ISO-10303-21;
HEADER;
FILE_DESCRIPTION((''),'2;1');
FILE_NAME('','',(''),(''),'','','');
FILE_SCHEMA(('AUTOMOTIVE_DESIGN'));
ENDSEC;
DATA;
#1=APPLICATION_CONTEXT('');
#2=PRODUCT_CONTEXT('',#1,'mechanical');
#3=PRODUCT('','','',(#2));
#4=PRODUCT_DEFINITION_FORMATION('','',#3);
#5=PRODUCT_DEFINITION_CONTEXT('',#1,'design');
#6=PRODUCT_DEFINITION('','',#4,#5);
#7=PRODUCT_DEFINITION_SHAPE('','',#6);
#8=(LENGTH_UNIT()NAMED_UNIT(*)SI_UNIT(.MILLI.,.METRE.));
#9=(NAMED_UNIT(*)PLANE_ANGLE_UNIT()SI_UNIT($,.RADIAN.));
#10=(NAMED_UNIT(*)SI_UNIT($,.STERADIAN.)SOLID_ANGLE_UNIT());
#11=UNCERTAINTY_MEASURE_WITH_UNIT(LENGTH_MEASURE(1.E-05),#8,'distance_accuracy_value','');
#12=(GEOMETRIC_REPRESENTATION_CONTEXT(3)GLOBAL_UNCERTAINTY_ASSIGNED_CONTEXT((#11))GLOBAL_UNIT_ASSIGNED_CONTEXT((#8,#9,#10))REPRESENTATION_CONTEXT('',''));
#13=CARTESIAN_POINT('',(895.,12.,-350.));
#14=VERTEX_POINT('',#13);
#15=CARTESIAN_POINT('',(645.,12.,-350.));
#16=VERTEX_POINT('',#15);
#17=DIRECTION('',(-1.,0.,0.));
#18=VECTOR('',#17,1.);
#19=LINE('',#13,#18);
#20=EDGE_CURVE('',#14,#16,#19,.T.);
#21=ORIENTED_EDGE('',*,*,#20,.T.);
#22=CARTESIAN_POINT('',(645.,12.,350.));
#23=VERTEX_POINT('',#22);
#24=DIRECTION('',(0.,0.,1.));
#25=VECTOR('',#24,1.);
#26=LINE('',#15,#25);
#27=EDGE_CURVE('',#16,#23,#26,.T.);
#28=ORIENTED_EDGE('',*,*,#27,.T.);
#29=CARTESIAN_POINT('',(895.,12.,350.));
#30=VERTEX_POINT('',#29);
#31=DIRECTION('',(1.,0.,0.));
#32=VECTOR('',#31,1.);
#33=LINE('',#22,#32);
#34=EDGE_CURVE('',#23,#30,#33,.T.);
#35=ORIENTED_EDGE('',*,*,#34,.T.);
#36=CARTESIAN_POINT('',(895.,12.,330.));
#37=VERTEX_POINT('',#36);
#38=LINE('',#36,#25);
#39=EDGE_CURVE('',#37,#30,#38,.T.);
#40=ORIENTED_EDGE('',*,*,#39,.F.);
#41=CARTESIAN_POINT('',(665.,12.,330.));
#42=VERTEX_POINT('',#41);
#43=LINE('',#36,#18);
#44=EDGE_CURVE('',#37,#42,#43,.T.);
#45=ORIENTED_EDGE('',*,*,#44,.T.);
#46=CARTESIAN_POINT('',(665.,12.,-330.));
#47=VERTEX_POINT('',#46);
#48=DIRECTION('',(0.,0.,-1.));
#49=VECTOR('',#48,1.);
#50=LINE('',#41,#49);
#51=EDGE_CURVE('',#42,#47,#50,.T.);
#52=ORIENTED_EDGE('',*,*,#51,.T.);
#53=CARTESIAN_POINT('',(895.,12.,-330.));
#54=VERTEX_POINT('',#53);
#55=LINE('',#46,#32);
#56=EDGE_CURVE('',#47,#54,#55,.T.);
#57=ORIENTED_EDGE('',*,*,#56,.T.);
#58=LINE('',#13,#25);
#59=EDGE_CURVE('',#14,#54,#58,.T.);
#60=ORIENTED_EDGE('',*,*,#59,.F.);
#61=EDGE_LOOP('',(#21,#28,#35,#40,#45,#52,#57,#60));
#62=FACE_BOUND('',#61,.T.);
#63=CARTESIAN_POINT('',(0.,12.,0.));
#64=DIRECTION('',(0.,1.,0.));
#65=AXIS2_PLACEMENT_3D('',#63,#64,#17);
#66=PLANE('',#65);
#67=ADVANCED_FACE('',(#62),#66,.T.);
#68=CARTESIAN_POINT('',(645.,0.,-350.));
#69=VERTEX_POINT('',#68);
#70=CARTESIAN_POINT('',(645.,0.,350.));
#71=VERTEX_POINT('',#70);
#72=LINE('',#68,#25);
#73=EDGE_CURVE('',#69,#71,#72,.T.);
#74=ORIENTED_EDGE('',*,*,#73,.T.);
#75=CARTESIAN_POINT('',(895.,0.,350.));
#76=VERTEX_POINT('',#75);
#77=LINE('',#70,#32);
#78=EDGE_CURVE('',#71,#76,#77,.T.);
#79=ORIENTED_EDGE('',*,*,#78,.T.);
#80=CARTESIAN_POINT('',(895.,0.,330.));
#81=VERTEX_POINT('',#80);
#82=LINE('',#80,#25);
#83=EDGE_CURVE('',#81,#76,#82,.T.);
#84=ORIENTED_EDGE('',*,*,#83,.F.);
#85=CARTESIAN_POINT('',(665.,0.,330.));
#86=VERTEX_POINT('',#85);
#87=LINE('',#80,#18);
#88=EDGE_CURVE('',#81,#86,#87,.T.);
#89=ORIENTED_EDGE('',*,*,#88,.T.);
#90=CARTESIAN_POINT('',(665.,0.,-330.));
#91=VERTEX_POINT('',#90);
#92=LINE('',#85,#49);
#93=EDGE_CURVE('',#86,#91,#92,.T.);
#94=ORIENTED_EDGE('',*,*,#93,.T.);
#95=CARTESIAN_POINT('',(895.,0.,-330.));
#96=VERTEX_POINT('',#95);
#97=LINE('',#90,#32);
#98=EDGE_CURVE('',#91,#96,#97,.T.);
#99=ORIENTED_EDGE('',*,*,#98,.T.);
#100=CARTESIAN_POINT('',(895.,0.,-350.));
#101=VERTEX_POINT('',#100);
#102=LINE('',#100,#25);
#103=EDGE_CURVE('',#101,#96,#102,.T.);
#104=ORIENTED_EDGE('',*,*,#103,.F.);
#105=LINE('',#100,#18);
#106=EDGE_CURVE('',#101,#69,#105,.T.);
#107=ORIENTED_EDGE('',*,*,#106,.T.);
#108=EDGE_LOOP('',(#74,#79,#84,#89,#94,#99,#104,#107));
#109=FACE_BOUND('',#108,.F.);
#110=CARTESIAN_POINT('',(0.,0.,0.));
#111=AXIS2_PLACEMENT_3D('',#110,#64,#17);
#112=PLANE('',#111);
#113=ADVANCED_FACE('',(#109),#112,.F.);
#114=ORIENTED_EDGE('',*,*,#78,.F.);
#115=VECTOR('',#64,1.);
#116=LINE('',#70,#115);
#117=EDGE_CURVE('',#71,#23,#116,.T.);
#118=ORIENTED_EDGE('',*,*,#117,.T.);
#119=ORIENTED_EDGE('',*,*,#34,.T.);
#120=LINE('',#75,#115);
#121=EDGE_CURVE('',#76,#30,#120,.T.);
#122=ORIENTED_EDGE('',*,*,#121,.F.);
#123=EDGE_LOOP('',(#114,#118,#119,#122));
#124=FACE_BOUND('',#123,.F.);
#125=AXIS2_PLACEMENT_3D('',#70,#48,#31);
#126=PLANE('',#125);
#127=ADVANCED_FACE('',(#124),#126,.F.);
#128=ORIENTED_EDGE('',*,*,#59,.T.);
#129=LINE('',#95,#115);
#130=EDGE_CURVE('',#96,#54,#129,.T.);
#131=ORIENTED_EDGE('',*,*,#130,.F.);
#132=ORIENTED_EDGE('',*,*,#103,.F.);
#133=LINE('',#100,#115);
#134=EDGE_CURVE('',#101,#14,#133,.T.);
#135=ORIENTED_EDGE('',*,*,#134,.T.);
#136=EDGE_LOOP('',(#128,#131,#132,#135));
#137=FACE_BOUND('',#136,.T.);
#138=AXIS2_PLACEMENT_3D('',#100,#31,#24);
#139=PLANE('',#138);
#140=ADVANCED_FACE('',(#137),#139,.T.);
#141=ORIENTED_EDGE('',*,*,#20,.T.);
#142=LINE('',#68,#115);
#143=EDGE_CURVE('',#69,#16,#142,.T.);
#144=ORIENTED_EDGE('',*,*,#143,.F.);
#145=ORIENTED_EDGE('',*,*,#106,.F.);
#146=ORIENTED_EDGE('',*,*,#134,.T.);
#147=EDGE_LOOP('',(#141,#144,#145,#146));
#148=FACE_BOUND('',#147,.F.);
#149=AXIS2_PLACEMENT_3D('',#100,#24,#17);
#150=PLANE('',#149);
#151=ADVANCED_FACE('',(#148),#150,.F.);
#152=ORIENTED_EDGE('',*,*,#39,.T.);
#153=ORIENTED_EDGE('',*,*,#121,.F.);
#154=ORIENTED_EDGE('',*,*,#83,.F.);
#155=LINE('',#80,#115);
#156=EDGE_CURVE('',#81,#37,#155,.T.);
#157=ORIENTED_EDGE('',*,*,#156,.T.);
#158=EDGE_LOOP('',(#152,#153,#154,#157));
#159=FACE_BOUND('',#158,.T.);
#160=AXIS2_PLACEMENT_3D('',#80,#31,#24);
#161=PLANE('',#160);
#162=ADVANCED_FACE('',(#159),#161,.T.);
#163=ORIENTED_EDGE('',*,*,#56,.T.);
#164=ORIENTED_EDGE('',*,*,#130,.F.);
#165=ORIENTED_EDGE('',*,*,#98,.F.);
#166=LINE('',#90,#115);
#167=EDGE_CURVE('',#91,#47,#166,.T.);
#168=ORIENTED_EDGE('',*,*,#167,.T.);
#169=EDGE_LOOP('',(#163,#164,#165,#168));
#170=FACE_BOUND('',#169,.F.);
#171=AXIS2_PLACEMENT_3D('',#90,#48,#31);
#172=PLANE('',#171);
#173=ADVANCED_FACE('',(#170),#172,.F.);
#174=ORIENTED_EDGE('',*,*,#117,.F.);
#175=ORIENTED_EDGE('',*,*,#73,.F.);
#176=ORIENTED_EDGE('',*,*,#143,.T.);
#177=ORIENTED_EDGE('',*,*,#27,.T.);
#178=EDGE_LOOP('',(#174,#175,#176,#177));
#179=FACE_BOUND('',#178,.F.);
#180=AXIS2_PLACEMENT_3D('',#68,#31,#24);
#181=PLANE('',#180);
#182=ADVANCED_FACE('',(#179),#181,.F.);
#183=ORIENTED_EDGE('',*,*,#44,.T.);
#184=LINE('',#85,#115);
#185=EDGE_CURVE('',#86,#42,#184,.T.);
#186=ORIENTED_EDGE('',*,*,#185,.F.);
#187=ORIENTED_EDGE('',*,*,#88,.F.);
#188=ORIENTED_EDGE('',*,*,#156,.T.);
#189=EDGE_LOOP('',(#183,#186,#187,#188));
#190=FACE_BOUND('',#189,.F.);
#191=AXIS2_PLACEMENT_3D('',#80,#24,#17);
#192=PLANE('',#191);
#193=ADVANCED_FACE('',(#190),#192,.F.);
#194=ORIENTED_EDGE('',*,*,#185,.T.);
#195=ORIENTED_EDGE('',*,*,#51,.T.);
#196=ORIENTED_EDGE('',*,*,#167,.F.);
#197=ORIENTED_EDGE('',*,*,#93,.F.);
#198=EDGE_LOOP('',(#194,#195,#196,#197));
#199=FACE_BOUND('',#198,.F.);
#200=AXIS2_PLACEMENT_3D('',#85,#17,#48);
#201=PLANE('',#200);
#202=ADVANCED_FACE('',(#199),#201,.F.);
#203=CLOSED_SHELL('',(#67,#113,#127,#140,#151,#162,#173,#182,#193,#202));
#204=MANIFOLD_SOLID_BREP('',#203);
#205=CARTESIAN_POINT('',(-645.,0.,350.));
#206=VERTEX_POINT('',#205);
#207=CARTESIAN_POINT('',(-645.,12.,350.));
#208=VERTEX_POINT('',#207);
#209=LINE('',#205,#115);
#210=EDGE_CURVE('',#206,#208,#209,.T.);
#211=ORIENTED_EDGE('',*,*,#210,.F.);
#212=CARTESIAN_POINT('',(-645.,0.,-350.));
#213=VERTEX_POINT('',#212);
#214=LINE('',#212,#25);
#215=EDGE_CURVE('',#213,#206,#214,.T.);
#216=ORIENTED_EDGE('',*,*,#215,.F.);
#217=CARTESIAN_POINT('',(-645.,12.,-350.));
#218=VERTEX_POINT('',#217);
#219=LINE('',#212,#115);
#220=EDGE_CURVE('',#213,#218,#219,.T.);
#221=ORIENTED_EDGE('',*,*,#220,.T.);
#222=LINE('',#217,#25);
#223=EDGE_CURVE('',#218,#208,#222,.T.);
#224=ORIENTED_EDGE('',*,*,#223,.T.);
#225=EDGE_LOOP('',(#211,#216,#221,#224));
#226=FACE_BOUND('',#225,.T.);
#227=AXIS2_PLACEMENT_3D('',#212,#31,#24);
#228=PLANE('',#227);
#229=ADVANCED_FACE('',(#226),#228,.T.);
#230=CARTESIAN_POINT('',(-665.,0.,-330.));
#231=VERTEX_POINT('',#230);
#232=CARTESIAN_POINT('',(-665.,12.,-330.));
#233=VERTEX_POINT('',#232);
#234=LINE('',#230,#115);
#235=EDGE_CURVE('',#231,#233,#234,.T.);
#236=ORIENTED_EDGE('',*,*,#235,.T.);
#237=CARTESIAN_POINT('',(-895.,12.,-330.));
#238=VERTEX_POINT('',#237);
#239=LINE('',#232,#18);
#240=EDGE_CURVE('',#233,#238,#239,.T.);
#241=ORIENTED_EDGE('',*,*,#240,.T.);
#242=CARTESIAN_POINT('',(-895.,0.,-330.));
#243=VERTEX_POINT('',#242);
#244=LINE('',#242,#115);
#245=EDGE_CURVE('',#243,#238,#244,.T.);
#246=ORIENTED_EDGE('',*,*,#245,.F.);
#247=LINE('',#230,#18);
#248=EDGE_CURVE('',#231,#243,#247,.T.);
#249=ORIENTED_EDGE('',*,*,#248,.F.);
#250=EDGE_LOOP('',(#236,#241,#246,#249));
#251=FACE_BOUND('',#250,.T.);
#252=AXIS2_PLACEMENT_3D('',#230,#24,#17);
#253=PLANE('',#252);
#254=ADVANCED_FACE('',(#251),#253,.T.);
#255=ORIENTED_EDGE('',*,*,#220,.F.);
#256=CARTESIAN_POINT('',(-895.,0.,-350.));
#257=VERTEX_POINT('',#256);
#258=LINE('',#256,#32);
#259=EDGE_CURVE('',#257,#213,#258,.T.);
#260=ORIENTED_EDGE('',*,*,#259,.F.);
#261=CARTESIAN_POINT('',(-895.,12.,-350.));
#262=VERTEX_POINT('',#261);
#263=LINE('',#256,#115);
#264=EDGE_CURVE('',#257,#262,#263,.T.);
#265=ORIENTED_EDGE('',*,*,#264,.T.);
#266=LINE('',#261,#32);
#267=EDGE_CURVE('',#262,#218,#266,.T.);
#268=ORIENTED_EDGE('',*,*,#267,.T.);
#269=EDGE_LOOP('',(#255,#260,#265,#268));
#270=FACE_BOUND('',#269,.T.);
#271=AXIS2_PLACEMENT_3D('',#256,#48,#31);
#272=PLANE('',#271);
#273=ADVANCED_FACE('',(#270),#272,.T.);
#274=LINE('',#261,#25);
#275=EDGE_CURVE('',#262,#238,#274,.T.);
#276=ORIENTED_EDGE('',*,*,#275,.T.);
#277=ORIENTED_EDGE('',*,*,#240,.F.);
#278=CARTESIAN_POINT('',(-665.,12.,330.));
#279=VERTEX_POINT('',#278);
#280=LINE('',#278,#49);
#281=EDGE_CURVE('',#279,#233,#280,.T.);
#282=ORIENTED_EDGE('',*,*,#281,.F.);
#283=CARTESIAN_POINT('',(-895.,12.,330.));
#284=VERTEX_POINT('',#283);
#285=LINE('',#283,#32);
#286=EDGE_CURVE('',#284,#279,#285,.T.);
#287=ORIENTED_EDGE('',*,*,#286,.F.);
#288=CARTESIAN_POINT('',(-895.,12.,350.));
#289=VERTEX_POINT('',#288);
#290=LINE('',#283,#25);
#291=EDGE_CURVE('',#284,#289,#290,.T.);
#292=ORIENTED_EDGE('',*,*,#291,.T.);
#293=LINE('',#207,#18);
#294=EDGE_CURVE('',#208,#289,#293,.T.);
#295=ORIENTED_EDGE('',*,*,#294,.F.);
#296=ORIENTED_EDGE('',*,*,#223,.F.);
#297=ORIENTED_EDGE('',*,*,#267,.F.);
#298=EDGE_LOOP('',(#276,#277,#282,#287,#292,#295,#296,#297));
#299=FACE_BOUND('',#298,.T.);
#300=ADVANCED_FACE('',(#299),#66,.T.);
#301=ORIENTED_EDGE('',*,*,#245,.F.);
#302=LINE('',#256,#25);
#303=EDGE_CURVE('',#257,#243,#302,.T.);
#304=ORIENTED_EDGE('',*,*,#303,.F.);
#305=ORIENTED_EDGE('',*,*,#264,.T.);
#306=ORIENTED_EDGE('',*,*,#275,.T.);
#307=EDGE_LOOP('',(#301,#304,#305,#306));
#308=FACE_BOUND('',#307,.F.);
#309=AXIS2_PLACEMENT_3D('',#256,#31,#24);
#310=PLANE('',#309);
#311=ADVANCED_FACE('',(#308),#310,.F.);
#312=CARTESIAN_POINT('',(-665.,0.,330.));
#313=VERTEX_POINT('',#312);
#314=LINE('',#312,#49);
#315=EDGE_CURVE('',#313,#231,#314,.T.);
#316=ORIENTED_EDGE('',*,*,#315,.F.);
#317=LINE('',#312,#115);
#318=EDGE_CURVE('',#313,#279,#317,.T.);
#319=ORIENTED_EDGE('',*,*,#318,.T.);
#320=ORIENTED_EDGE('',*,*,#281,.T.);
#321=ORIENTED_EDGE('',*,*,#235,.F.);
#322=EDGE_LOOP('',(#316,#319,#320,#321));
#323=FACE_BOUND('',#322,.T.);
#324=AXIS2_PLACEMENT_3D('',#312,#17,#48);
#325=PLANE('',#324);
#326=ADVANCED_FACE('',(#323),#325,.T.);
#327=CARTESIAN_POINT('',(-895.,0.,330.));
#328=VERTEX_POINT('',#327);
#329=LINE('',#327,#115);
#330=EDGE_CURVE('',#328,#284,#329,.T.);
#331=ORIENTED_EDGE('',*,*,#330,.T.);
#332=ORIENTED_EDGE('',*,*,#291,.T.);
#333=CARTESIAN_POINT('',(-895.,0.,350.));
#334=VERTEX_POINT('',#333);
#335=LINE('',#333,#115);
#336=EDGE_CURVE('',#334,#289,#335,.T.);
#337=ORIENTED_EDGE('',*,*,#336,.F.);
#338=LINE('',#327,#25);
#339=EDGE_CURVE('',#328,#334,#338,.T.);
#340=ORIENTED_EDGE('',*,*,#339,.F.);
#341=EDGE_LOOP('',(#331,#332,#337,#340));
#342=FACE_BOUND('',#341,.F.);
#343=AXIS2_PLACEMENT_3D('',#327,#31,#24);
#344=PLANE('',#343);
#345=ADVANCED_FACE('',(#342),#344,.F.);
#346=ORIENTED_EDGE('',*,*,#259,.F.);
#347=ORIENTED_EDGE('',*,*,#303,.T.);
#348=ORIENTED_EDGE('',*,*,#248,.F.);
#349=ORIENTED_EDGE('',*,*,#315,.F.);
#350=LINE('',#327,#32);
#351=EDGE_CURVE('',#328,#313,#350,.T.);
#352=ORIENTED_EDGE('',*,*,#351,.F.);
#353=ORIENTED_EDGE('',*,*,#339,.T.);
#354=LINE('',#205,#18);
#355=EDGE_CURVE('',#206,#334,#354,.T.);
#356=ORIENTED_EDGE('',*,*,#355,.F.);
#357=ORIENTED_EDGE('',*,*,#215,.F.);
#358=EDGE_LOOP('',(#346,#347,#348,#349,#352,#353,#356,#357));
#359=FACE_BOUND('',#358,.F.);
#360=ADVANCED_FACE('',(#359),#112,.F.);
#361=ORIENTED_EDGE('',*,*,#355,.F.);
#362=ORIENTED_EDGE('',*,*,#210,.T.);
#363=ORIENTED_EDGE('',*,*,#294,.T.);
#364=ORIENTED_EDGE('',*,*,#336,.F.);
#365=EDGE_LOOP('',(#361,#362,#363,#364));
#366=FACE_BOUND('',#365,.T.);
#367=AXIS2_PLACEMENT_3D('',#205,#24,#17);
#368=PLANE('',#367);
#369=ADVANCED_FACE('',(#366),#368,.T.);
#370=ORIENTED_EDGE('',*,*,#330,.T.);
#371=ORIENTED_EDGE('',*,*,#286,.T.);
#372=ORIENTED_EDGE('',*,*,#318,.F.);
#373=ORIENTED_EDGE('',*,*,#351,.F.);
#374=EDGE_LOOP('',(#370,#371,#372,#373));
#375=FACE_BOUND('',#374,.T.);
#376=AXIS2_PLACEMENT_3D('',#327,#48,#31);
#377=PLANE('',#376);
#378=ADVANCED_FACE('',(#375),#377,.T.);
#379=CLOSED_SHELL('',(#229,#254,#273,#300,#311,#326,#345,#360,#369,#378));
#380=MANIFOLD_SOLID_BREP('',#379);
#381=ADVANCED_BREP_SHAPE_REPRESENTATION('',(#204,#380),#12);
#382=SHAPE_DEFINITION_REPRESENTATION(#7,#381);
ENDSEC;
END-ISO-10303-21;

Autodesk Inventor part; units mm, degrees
ref_plane "YZ Plane" through (0, 0, 0) normal (1, 0, 0) x (0, 1, 0)
ref_plane "XZ Plane" through (0, 0, 0) normal (0, 1, 0) x (-1, 0, 0)
ref_plane "XY Plane" through (0, 0, 0) normal (0, 0, 1) x (1, 0, 0)
sketch "Эскиз1" plane through (0, 0, 0) normal (0, 1, 0) x (-1, 0, 0)
  line L0 (895, -350) -> (645, -350)
  line L1 (645, -350) -> (645, 350)
  line L2 (645, 350) -> (895, 350)
  line L3 (0, -490) -> (0, 490) construction
  line L4 (1463.2221, 0) -> (-1288.037, 0) construction
  line L5 (895, 330) -> (665, 330)
  line L6 (665, 330) -> (665, -330)
  line L7 (665, -330) -> (895, -330)
  line L8 (895, -350) -> (895, -330)
  line L9 (895, 330) -> (895, 350)
  line L10 (-895, -350) -> (-645, -350)
  line L11 (-645, -350) -> (-645, 350)
  line L12 (-645, 350) -> (-895, 350)
  line L13 (-895, 330) -> (-665, 330)
  line L14 (-665, 330) -> (-665, -330)
  line L15 (-665, -330) -> (-895, -330)
  line L16 (-895, -350) -> (-895, -330)
  line L17 (-895, 330) -> (-895, 350)
  line L18 (895, -350) -> (895, 350) construction
  line L19 (895, 30) -> (1070.1851, 30)
  line L20 (1070.1851, 30) -> (1070.1851, -30)
  line L21 (1070.1851, -30) -> (895, -30)
  point P0 (0, 0)
  dimension "d0" = 250
  dimension "d1" = 700
  dimension "d2" = 645
  dimension "d3" = 20
  dimension "d6" = 60
extrude "Выдавливание1" add sketch "Эскиз1" along normal blind 12
properties part number "Place_of_goalKipeer"
